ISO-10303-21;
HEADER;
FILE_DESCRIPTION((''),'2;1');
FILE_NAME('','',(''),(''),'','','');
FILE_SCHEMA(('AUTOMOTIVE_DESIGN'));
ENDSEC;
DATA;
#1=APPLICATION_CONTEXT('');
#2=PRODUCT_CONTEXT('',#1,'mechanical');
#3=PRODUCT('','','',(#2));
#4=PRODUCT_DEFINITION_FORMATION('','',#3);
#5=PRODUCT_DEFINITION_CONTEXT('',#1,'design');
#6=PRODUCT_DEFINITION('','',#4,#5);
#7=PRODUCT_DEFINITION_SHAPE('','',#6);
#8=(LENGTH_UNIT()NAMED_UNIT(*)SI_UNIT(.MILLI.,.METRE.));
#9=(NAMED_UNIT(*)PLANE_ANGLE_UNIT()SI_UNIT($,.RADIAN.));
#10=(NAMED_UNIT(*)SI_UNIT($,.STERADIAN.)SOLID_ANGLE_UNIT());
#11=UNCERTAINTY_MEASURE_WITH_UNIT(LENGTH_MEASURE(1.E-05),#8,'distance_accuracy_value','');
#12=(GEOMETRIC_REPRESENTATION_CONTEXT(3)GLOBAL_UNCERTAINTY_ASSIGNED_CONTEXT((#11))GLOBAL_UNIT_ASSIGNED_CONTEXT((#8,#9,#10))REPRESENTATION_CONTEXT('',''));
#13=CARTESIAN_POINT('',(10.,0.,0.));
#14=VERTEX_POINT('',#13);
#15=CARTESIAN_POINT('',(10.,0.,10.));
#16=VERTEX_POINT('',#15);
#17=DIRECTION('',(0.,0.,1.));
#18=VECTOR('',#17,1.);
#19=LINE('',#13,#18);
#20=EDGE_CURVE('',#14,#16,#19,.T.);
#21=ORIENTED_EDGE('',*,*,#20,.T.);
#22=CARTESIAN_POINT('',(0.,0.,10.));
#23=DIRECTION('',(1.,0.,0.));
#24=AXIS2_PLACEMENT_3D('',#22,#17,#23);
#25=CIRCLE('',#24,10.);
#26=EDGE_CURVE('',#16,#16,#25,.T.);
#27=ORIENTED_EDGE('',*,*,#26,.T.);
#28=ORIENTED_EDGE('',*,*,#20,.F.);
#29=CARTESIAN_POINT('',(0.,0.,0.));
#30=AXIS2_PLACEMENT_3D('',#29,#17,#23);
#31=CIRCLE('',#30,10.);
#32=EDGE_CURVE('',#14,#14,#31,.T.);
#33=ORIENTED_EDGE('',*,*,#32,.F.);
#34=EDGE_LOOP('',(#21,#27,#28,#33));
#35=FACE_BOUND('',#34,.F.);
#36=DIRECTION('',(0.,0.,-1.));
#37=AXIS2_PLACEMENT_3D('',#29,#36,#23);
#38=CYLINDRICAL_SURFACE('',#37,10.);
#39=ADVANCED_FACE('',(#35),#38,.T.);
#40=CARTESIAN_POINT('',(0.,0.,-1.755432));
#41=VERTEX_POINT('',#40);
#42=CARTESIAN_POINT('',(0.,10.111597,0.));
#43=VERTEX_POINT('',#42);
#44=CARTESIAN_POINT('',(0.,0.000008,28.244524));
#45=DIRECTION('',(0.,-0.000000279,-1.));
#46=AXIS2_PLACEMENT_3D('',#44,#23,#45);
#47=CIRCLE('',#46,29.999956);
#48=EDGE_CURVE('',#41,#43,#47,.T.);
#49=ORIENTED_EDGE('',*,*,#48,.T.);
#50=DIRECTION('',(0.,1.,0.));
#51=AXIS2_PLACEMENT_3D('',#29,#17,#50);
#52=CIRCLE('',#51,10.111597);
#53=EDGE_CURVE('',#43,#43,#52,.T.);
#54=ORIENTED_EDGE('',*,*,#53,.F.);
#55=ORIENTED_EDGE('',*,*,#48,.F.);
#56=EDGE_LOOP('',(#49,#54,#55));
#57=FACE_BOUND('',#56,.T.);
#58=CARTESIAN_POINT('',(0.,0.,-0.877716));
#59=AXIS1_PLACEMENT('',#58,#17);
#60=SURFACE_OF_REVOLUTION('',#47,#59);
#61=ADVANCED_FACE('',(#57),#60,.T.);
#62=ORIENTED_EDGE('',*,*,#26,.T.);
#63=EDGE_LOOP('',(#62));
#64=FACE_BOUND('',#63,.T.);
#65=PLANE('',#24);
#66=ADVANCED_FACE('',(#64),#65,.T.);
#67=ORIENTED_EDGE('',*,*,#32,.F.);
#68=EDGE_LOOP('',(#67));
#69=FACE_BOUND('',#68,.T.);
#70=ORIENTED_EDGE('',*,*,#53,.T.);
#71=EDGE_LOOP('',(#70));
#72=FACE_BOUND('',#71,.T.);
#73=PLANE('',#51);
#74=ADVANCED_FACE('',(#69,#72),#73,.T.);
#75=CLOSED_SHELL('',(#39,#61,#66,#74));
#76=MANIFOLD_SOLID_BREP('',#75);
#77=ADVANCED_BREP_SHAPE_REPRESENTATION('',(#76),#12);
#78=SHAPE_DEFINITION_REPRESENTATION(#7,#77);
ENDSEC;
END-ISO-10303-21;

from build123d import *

# Parameters (mm, degrees)
F0_R     = 10
F1_DEPTH = 10


with BuildPart() as f1:
    # F0 (on Top) → F1 (new body)
    with BuildSketch(Plane.XY):
        Circle(F0_R)
    extrude(amount=F1_DEPTH)

    # F2 (on Right) → F3 (revolve)
    with BuildSketch(Plane.YZ):
        with BuildLine():
            ThreePointArc((0, -1.755432), (5.131421, -1.313317), (10.111597, 0))
            Line((10.111597, 0), (0, 0))
            Line((0, 0), (0, -1.755432))
        make_face()
    revolve(axis=Axis((0, 0, -0.877716), (0, 0, 1)))


solid = f1.part
